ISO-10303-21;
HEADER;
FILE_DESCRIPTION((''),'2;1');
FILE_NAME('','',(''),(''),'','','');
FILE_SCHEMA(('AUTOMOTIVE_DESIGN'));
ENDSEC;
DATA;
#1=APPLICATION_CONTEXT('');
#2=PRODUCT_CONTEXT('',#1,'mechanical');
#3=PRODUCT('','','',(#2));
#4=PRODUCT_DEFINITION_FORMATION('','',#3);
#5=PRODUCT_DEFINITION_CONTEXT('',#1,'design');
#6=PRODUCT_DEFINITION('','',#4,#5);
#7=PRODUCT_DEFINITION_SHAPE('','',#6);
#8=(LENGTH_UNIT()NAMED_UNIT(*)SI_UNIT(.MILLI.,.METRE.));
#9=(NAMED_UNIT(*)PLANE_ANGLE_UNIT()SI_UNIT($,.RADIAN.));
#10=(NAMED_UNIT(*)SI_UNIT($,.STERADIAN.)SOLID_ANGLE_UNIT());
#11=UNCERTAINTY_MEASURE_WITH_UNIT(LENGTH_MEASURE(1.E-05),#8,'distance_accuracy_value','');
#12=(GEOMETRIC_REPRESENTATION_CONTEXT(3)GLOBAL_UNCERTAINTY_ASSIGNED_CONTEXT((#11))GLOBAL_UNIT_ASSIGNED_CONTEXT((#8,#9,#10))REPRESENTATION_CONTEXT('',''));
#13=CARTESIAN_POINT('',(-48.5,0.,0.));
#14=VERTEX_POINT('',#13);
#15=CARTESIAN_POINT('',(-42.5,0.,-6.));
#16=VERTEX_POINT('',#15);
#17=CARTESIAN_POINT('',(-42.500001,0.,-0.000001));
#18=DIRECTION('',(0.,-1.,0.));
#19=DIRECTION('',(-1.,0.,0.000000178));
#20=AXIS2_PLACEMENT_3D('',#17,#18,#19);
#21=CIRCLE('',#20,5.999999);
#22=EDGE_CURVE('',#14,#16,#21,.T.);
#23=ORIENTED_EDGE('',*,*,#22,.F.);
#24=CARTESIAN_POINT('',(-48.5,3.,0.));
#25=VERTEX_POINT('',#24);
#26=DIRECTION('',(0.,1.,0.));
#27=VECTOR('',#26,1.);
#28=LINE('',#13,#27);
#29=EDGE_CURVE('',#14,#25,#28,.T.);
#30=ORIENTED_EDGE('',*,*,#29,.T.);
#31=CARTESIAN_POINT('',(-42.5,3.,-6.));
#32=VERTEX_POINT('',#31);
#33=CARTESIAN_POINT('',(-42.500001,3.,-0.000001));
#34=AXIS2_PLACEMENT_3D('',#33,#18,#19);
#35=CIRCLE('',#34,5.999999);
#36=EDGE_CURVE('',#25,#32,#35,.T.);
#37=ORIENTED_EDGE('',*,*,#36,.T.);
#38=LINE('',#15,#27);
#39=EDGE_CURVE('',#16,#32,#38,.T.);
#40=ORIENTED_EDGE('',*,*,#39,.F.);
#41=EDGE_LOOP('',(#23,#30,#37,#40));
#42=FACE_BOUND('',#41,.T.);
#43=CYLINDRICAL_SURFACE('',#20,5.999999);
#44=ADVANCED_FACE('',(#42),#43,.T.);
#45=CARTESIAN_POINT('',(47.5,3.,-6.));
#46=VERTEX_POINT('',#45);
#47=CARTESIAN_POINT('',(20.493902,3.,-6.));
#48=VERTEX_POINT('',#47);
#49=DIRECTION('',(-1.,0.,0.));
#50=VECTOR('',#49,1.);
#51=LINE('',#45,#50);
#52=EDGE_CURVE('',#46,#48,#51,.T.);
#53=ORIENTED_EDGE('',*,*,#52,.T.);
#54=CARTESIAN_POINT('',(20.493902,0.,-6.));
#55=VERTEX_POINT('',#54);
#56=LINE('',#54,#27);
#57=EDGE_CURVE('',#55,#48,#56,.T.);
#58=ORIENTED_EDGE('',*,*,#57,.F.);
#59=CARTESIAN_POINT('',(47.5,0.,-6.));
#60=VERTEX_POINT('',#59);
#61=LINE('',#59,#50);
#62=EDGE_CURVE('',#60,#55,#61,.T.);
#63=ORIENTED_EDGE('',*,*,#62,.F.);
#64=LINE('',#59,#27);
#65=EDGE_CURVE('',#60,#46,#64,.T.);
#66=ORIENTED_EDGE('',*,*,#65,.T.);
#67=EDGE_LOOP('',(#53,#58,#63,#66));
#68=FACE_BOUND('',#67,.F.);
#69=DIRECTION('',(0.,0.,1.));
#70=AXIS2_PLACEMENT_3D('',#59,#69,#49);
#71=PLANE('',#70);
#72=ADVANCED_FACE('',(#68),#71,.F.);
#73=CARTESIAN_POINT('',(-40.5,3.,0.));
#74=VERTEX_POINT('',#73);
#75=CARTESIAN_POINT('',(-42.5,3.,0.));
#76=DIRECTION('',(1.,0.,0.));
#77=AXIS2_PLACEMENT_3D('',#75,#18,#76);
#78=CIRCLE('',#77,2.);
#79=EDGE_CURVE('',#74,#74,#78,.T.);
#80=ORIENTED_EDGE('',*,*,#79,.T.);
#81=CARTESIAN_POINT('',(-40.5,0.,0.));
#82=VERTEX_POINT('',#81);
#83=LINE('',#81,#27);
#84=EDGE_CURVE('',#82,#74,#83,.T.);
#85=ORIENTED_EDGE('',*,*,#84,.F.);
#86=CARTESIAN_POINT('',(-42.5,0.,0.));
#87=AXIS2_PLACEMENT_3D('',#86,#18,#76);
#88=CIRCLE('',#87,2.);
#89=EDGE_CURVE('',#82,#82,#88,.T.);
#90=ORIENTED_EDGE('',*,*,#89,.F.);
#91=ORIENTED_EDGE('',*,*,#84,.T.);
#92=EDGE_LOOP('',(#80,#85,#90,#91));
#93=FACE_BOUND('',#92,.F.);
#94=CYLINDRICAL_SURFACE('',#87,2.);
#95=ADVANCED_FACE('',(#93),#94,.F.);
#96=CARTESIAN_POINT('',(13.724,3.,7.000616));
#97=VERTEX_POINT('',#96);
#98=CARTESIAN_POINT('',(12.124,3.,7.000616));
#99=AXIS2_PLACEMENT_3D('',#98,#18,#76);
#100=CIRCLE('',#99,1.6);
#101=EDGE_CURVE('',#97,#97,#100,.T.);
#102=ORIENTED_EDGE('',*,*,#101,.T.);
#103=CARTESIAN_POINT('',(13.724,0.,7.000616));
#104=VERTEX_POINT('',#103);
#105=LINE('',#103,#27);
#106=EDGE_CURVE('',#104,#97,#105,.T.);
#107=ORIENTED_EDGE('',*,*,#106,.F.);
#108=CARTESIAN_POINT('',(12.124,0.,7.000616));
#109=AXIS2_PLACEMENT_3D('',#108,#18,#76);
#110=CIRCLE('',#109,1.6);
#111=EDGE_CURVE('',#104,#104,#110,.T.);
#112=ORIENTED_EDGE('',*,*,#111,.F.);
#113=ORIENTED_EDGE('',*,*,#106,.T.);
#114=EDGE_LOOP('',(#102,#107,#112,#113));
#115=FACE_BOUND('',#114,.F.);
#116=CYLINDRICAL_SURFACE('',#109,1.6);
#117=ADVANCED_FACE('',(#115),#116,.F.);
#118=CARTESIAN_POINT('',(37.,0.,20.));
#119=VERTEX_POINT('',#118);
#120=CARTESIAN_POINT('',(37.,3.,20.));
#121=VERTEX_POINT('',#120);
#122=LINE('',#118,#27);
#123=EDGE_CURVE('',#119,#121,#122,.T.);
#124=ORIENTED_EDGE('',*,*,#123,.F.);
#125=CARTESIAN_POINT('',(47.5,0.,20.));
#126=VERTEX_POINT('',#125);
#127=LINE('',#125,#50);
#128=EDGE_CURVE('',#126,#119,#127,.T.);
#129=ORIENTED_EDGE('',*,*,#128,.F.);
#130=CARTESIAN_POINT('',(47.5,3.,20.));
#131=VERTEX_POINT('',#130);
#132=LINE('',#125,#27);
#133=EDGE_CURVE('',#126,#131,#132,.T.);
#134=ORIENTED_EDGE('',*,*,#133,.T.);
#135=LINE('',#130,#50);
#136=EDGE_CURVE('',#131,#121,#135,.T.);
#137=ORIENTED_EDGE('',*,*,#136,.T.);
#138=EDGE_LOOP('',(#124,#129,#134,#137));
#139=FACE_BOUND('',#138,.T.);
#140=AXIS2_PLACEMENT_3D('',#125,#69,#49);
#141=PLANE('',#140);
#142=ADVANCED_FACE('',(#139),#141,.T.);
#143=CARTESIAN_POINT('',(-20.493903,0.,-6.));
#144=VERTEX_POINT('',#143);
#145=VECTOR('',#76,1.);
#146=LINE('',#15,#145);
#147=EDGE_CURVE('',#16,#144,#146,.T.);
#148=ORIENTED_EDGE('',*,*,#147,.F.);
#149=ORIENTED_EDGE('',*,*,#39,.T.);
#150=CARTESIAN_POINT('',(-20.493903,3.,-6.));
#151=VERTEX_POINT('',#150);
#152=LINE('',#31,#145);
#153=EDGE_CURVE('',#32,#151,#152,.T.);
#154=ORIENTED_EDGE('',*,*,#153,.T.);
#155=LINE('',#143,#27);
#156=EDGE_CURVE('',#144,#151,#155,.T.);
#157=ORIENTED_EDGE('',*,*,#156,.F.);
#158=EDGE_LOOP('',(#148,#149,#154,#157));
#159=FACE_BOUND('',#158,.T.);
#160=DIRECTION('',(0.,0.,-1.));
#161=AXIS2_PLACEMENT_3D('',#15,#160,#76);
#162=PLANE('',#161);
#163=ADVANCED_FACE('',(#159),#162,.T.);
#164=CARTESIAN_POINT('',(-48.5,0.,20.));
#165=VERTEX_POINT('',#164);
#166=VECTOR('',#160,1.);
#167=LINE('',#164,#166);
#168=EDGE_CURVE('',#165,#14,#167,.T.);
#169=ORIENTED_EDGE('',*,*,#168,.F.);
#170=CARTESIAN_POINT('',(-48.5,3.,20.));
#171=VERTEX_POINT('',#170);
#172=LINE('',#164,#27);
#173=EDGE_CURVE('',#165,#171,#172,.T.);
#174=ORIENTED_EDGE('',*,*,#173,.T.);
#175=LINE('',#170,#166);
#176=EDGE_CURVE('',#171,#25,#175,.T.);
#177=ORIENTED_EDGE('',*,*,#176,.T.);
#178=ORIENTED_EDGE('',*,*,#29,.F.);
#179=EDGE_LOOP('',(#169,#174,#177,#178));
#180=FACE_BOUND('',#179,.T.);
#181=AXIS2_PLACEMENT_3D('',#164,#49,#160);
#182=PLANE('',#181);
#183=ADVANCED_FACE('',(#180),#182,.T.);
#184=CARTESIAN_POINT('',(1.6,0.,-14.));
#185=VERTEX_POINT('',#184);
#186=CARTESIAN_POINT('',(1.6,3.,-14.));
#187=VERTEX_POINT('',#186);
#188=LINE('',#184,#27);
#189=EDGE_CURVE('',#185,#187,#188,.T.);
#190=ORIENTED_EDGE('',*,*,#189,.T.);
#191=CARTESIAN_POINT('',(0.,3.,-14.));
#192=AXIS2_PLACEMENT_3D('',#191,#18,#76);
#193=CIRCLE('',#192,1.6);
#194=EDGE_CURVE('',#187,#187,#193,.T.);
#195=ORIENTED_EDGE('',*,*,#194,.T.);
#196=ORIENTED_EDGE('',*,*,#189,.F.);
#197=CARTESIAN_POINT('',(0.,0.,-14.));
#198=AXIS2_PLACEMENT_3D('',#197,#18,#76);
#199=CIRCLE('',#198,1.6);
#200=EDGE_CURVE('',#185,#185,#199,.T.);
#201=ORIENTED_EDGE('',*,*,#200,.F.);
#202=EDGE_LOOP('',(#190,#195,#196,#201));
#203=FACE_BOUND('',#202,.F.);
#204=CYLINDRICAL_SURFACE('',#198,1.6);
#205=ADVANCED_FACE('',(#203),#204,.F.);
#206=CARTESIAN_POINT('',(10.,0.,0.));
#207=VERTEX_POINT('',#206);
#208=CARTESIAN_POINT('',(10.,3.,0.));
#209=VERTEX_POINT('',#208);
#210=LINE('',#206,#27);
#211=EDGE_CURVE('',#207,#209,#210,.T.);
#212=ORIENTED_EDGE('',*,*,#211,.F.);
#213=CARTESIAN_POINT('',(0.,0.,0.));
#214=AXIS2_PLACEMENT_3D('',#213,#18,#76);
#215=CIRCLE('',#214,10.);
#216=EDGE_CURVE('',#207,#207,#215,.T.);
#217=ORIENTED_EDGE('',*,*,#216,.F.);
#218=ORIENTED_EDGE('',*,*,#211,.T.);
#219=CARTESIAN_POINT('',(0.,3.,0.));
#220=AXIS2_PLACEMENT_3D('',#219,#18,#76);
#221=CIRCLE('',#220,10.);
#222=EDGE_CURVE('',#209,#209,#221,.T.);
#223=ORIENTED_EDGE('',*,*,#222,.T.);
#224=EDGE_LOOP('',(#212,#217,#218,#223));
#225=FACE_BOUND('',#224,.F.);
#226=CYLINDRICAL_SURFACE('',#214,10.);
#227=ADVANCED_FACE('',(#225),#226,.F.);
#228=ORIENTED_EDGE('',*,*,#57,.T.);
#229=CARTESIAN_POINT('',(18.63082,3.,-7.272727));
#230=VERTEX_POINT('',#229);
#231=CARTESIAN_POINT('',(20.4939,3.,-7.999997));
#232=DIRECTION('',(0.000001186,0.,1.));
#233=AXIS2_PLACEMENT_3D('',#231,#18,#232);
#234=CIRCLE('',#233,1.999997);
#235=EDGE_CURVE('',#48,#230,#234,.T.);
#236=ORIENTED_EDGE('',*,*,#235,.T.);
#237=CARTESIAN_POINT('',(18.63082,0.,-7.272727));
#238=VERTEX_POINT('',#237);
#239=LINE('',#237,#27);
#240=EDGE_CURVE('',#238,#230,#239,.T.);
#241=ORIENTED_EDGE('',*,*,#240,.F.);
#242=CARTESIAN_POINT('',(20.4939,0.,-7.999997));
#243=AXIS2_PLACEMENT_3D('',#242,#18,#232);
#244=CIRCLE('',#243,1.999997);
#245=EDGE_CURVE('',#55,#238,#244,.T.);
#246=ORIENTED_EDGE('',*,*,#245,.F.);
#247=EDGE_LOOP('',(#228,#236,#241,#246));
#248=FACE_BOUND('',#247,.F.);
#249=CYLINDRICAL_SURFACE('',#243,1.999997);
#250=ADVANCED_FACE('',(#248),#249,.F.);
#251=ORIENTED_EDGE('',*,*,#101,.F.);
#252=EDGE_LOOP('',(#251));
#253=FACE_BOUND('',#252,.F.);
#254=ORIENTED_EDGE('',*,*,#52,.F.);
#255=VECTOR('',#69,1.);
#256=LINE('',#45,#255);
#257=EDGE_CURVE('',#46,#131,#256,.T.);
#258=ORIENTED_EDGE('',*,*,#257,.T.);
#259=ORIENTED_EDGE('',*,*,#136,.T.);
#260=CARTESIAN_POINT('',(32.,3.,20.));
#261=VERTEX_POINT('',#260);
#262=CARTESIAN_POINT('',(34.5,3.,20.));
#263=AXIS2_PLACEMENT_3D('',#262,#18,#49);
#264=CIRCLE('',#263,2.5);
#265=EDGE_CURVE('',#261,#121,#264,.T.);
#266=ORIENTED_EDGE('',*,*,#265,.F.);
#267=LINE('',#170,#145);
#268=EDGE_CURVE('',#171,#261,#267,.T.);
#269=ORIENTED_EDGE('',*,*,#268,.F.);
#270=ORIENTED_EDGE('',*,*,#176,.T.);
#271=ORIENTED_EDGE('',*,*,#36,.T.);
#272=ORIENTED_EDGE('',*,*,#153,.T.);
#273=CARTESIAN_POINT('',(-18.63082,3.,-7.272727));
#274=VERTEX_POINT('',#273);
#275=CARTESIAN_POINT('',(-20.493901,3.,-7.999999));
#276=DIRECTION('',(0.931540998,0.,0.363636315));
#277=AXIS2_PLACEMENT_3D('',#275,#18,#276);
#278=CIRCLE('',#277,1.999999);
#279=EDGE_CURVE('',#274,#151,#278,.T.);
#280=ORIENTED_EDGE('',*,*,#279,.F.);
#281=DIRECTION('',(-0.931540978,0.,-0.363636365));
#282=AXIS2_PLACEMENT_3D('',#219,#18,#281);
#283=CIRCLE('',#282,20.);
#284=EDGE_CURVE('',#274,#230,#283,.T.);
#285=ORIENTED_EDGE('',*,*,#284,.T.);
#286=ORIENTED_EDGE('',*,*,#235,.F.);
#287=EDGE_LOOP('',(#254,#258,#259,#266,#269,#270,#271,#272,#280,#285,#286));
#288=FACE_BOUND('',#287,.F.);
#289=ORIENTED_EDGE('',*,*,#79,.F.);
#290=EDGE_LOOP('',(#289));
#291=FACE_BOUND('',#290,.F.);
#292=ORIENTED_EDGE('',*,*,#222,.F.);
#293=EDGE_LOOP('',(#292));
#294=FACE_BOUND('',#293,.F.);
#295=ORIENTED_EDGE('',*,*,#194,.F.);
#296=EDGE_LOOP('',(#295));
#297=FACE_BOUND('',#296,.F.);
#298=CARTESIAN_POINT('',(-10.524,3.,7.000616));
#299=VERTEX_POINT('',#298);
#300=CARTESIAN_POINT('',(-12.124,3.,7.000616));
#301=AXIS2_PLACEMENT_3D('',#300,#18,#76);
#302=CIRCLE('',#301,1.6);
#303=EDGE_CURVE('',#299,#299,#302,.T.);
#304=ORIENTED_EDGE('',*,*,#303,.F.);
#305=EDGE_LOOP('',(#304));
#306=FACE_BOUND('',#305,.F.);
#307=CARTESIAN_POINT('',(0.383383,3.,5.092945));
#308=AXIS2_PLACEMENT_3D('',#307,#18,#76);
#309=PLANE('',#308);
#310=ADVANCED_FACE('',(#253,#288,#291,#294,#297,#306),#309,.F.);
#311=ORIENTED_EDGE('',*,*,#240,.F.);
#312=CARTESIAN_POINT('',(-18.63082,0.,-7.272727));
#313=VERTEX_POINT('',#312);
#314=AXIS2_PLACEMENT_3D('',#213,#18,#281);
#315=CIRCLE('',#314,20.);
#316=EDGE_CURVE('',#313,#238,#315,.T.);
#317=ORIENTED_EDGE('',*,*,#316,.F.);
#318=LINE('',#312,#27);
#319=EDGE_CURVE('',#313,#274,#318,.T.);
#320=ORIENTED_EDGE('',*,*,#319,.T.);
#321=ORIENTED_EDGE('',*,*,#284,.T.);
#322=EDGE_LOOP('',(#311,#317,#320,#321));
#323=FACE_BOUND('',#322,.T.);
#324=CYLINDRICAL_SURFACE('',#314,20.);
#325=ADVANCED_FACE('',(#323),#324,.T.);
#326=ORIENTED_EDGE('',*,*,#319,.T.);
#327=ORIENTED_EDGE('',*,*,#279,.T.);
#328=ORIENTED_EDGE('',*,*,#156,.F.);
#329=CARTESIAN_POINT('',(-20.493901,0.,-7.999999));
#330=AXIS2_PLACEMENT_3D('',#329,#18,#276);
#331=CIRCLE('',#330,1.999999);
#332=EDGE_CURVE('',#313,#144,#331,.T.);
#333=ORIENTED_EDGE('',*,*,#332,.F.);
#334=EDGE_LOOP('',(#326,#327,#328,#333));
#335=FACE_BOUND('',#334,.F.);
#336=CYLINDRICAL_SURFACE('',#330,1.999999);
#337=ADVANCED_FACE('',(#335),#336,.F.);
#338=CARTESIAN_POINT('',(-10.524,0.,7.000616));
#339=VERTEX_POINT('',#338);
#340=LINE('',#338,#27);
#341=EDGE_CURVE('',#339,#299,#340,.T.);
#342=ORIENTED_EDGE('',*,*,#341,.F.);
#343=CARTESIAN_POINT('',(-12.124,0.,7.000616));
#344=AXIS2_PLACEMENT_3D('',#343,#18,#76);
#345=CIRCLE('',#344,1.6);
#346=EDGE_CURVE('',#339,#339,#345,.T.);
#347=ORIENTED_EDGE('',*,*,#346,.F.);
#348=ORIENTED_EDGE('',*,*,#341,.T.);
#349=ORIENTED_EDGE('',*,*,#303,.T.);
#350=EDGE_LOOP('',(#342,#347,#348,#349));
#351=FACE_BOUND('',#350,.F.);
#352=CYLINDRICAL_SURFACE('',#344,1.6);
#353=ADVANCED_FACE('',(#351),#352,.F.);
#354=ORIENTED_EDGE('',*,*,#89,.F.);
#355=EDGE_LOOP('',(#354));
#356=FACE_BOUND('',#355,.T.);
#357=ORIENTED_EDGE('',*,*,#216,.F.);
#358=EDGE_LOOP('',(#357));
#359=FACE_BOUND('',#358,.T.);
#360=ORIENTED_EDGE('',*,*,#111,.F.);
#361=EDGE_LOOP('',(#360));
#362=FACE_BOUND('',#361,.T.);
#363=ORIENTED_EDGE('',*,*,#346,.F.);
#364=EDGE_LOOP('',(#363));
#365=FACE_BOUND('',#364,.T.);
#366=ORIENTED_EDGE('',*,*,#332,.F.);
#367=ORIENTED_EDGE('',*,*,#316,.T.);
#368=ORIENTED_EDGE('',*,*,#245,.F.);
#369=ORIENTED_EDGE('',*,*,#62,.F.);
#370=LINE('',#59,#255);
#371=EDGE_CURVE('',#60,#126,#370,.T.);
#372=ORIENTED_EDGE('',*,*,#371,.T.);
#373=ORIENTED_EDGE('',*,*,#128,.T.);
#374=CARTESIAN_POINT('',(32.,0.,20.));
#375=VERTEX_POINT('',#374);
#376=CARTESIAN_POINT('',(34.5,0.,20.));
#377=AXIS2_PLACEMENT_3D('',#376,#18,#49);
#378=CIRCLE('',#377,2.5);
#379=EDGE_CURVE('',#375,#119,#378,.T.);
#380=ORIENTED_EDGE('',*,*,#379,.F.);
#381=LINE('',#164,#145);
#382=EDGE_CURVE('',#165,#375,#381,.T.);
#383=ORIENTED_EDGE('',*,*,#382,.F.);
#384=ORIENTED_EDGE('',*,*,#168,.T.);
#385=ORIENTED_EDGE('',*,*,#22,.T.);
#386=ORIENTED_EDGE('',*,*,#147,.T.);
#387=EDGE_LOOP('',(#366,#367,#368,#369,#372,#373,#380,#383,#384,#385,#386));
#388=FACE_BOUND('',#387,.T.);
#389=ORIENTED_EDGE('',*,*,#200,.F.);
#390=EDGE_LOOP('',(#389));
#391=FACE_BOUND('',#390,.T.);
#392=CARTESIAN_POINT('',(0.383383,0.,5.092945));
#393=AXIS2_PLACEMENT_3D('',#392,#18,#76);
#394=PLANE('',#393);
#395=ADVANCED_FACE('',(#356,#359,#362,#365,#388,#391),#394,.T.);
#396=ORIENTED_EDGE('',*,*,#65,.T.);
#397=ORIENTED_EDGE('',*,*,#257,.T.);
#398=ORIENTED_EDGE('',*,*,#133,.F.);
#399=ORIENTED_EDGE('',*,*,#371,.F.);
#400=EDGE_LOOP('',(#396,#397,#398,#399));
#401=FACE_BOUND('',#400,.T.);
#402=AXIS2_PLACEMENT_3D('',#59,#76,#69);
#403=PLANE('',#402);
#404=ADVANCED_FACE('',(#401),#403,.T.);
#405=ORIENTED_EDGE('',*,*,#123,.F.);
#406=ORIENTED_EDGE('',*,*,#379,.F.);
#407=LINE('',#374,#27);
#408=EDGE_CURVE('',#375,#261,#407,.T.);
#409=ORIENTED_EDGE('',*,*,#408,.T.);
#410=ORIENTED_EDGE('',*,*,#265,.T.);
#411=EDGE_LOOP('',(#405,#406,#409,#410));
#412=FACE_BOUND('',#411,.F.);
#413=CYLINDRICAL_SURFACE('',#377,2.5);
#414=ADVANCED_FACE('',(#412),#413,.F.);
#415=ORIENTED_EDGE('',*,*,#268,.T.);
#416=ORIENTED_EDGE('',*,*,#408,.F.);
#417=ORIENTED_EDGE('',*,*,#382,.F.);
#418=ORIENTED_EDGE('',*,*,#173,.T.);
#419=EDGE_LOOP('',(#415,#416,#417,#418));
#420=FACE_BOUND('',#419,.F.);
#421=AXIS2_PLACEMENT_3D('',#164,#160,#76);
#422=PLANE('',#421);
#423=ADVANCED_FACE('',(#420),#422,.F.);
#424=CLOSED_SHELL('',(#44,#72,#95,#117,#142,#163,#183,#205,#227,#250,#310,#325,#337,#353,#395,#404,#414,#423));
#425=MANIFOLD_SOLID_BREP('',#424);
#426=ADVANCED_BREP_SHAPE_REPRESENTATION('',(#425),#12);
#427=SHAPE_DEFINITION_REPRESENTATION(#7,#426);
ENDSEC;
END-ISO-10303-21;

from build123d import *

# Parameters (mm, degrees)
SKETCH_AS_DRAWN_R                 = 2
SKETCH_AS_DRAWN_R_2               = 10
SKETCH_AS_DRAWN_R_3               = 1.6
EXTRUDE001_DEPTH                  = 3
EXTRUDE001_ONTO_SKETCH_ROLL_ANGLE = 90


with BuildPart() as part:
    # Sketch as drawn → Extrude001 (new)
    with BuildSketch(Plane.XY):
        with BuildLine():
            ThreePointArc((-48.5, 0), (-46.742641, -4.242641), (-42.5, -6))
            Line((-42.5, -6), (-20.493903, -6))
            ThreePointArc((-18.63082, -7.272727), (-19.36575, -6.348554), (-20.493903, -6))
            ThreePointArc((-18.63082, -7.272727), (0, -20), (18.63082, -7.272727))
            ThreePointArc((20.493902, -6), (19.365749, -6.348554), (18.63082, -7.272727))
            Line((47.5, -6), (20.493902, -6))
            Line((47.5, -6), (47.5, 20))
            Line((47.5, 20), (37, 20))
            ThreePointArc((32, 20), (34.5, 17.5), (37, 20))
            Line((-48.5, 20), (32, 20))
            Line((-48.5, 20), (-48.5, 0))
        make_face()
        with Locations((-42.5, 0)):
            Circle(SKETCH_AS_DRAWN_R, mode=Mode.SUBTRACT)
        Circle(SKETCH_AS_DRAWN_R_2, mode=Mode.SUBTRACT)
        with Locations((-12.124, 7.000616)):
            Circle(SKETCH_AS_DRAWN_R_3, mode=Mode.SUBTRACT)
        with Locations((0, -14)):
            Circle(SKETCH_AS_DRAWN_R_3, mode=Mode.SUBTRACT)
        with Locations((12.124, 7.000616)):
            Circle(SKETCH_AS_DRAWN_R_3, mode=Mode.SUBTRACT)
    extrude(amount=-EXTRUDE001_DEPTH)


with BuildPart() as part_1:
    # Extrude001 onto Sketch roll: moved
    add(part.part.rotate(Axis((0, 0, 0), (1, 0, 0)), EXTRUDE001_ONTO_SKETCH_ROLL_ANGLE))


with BuildPart() as part_2:
    # Extrude001 onto Sketch placement: moved
    add(part_1.part)


solid = part_2.part
